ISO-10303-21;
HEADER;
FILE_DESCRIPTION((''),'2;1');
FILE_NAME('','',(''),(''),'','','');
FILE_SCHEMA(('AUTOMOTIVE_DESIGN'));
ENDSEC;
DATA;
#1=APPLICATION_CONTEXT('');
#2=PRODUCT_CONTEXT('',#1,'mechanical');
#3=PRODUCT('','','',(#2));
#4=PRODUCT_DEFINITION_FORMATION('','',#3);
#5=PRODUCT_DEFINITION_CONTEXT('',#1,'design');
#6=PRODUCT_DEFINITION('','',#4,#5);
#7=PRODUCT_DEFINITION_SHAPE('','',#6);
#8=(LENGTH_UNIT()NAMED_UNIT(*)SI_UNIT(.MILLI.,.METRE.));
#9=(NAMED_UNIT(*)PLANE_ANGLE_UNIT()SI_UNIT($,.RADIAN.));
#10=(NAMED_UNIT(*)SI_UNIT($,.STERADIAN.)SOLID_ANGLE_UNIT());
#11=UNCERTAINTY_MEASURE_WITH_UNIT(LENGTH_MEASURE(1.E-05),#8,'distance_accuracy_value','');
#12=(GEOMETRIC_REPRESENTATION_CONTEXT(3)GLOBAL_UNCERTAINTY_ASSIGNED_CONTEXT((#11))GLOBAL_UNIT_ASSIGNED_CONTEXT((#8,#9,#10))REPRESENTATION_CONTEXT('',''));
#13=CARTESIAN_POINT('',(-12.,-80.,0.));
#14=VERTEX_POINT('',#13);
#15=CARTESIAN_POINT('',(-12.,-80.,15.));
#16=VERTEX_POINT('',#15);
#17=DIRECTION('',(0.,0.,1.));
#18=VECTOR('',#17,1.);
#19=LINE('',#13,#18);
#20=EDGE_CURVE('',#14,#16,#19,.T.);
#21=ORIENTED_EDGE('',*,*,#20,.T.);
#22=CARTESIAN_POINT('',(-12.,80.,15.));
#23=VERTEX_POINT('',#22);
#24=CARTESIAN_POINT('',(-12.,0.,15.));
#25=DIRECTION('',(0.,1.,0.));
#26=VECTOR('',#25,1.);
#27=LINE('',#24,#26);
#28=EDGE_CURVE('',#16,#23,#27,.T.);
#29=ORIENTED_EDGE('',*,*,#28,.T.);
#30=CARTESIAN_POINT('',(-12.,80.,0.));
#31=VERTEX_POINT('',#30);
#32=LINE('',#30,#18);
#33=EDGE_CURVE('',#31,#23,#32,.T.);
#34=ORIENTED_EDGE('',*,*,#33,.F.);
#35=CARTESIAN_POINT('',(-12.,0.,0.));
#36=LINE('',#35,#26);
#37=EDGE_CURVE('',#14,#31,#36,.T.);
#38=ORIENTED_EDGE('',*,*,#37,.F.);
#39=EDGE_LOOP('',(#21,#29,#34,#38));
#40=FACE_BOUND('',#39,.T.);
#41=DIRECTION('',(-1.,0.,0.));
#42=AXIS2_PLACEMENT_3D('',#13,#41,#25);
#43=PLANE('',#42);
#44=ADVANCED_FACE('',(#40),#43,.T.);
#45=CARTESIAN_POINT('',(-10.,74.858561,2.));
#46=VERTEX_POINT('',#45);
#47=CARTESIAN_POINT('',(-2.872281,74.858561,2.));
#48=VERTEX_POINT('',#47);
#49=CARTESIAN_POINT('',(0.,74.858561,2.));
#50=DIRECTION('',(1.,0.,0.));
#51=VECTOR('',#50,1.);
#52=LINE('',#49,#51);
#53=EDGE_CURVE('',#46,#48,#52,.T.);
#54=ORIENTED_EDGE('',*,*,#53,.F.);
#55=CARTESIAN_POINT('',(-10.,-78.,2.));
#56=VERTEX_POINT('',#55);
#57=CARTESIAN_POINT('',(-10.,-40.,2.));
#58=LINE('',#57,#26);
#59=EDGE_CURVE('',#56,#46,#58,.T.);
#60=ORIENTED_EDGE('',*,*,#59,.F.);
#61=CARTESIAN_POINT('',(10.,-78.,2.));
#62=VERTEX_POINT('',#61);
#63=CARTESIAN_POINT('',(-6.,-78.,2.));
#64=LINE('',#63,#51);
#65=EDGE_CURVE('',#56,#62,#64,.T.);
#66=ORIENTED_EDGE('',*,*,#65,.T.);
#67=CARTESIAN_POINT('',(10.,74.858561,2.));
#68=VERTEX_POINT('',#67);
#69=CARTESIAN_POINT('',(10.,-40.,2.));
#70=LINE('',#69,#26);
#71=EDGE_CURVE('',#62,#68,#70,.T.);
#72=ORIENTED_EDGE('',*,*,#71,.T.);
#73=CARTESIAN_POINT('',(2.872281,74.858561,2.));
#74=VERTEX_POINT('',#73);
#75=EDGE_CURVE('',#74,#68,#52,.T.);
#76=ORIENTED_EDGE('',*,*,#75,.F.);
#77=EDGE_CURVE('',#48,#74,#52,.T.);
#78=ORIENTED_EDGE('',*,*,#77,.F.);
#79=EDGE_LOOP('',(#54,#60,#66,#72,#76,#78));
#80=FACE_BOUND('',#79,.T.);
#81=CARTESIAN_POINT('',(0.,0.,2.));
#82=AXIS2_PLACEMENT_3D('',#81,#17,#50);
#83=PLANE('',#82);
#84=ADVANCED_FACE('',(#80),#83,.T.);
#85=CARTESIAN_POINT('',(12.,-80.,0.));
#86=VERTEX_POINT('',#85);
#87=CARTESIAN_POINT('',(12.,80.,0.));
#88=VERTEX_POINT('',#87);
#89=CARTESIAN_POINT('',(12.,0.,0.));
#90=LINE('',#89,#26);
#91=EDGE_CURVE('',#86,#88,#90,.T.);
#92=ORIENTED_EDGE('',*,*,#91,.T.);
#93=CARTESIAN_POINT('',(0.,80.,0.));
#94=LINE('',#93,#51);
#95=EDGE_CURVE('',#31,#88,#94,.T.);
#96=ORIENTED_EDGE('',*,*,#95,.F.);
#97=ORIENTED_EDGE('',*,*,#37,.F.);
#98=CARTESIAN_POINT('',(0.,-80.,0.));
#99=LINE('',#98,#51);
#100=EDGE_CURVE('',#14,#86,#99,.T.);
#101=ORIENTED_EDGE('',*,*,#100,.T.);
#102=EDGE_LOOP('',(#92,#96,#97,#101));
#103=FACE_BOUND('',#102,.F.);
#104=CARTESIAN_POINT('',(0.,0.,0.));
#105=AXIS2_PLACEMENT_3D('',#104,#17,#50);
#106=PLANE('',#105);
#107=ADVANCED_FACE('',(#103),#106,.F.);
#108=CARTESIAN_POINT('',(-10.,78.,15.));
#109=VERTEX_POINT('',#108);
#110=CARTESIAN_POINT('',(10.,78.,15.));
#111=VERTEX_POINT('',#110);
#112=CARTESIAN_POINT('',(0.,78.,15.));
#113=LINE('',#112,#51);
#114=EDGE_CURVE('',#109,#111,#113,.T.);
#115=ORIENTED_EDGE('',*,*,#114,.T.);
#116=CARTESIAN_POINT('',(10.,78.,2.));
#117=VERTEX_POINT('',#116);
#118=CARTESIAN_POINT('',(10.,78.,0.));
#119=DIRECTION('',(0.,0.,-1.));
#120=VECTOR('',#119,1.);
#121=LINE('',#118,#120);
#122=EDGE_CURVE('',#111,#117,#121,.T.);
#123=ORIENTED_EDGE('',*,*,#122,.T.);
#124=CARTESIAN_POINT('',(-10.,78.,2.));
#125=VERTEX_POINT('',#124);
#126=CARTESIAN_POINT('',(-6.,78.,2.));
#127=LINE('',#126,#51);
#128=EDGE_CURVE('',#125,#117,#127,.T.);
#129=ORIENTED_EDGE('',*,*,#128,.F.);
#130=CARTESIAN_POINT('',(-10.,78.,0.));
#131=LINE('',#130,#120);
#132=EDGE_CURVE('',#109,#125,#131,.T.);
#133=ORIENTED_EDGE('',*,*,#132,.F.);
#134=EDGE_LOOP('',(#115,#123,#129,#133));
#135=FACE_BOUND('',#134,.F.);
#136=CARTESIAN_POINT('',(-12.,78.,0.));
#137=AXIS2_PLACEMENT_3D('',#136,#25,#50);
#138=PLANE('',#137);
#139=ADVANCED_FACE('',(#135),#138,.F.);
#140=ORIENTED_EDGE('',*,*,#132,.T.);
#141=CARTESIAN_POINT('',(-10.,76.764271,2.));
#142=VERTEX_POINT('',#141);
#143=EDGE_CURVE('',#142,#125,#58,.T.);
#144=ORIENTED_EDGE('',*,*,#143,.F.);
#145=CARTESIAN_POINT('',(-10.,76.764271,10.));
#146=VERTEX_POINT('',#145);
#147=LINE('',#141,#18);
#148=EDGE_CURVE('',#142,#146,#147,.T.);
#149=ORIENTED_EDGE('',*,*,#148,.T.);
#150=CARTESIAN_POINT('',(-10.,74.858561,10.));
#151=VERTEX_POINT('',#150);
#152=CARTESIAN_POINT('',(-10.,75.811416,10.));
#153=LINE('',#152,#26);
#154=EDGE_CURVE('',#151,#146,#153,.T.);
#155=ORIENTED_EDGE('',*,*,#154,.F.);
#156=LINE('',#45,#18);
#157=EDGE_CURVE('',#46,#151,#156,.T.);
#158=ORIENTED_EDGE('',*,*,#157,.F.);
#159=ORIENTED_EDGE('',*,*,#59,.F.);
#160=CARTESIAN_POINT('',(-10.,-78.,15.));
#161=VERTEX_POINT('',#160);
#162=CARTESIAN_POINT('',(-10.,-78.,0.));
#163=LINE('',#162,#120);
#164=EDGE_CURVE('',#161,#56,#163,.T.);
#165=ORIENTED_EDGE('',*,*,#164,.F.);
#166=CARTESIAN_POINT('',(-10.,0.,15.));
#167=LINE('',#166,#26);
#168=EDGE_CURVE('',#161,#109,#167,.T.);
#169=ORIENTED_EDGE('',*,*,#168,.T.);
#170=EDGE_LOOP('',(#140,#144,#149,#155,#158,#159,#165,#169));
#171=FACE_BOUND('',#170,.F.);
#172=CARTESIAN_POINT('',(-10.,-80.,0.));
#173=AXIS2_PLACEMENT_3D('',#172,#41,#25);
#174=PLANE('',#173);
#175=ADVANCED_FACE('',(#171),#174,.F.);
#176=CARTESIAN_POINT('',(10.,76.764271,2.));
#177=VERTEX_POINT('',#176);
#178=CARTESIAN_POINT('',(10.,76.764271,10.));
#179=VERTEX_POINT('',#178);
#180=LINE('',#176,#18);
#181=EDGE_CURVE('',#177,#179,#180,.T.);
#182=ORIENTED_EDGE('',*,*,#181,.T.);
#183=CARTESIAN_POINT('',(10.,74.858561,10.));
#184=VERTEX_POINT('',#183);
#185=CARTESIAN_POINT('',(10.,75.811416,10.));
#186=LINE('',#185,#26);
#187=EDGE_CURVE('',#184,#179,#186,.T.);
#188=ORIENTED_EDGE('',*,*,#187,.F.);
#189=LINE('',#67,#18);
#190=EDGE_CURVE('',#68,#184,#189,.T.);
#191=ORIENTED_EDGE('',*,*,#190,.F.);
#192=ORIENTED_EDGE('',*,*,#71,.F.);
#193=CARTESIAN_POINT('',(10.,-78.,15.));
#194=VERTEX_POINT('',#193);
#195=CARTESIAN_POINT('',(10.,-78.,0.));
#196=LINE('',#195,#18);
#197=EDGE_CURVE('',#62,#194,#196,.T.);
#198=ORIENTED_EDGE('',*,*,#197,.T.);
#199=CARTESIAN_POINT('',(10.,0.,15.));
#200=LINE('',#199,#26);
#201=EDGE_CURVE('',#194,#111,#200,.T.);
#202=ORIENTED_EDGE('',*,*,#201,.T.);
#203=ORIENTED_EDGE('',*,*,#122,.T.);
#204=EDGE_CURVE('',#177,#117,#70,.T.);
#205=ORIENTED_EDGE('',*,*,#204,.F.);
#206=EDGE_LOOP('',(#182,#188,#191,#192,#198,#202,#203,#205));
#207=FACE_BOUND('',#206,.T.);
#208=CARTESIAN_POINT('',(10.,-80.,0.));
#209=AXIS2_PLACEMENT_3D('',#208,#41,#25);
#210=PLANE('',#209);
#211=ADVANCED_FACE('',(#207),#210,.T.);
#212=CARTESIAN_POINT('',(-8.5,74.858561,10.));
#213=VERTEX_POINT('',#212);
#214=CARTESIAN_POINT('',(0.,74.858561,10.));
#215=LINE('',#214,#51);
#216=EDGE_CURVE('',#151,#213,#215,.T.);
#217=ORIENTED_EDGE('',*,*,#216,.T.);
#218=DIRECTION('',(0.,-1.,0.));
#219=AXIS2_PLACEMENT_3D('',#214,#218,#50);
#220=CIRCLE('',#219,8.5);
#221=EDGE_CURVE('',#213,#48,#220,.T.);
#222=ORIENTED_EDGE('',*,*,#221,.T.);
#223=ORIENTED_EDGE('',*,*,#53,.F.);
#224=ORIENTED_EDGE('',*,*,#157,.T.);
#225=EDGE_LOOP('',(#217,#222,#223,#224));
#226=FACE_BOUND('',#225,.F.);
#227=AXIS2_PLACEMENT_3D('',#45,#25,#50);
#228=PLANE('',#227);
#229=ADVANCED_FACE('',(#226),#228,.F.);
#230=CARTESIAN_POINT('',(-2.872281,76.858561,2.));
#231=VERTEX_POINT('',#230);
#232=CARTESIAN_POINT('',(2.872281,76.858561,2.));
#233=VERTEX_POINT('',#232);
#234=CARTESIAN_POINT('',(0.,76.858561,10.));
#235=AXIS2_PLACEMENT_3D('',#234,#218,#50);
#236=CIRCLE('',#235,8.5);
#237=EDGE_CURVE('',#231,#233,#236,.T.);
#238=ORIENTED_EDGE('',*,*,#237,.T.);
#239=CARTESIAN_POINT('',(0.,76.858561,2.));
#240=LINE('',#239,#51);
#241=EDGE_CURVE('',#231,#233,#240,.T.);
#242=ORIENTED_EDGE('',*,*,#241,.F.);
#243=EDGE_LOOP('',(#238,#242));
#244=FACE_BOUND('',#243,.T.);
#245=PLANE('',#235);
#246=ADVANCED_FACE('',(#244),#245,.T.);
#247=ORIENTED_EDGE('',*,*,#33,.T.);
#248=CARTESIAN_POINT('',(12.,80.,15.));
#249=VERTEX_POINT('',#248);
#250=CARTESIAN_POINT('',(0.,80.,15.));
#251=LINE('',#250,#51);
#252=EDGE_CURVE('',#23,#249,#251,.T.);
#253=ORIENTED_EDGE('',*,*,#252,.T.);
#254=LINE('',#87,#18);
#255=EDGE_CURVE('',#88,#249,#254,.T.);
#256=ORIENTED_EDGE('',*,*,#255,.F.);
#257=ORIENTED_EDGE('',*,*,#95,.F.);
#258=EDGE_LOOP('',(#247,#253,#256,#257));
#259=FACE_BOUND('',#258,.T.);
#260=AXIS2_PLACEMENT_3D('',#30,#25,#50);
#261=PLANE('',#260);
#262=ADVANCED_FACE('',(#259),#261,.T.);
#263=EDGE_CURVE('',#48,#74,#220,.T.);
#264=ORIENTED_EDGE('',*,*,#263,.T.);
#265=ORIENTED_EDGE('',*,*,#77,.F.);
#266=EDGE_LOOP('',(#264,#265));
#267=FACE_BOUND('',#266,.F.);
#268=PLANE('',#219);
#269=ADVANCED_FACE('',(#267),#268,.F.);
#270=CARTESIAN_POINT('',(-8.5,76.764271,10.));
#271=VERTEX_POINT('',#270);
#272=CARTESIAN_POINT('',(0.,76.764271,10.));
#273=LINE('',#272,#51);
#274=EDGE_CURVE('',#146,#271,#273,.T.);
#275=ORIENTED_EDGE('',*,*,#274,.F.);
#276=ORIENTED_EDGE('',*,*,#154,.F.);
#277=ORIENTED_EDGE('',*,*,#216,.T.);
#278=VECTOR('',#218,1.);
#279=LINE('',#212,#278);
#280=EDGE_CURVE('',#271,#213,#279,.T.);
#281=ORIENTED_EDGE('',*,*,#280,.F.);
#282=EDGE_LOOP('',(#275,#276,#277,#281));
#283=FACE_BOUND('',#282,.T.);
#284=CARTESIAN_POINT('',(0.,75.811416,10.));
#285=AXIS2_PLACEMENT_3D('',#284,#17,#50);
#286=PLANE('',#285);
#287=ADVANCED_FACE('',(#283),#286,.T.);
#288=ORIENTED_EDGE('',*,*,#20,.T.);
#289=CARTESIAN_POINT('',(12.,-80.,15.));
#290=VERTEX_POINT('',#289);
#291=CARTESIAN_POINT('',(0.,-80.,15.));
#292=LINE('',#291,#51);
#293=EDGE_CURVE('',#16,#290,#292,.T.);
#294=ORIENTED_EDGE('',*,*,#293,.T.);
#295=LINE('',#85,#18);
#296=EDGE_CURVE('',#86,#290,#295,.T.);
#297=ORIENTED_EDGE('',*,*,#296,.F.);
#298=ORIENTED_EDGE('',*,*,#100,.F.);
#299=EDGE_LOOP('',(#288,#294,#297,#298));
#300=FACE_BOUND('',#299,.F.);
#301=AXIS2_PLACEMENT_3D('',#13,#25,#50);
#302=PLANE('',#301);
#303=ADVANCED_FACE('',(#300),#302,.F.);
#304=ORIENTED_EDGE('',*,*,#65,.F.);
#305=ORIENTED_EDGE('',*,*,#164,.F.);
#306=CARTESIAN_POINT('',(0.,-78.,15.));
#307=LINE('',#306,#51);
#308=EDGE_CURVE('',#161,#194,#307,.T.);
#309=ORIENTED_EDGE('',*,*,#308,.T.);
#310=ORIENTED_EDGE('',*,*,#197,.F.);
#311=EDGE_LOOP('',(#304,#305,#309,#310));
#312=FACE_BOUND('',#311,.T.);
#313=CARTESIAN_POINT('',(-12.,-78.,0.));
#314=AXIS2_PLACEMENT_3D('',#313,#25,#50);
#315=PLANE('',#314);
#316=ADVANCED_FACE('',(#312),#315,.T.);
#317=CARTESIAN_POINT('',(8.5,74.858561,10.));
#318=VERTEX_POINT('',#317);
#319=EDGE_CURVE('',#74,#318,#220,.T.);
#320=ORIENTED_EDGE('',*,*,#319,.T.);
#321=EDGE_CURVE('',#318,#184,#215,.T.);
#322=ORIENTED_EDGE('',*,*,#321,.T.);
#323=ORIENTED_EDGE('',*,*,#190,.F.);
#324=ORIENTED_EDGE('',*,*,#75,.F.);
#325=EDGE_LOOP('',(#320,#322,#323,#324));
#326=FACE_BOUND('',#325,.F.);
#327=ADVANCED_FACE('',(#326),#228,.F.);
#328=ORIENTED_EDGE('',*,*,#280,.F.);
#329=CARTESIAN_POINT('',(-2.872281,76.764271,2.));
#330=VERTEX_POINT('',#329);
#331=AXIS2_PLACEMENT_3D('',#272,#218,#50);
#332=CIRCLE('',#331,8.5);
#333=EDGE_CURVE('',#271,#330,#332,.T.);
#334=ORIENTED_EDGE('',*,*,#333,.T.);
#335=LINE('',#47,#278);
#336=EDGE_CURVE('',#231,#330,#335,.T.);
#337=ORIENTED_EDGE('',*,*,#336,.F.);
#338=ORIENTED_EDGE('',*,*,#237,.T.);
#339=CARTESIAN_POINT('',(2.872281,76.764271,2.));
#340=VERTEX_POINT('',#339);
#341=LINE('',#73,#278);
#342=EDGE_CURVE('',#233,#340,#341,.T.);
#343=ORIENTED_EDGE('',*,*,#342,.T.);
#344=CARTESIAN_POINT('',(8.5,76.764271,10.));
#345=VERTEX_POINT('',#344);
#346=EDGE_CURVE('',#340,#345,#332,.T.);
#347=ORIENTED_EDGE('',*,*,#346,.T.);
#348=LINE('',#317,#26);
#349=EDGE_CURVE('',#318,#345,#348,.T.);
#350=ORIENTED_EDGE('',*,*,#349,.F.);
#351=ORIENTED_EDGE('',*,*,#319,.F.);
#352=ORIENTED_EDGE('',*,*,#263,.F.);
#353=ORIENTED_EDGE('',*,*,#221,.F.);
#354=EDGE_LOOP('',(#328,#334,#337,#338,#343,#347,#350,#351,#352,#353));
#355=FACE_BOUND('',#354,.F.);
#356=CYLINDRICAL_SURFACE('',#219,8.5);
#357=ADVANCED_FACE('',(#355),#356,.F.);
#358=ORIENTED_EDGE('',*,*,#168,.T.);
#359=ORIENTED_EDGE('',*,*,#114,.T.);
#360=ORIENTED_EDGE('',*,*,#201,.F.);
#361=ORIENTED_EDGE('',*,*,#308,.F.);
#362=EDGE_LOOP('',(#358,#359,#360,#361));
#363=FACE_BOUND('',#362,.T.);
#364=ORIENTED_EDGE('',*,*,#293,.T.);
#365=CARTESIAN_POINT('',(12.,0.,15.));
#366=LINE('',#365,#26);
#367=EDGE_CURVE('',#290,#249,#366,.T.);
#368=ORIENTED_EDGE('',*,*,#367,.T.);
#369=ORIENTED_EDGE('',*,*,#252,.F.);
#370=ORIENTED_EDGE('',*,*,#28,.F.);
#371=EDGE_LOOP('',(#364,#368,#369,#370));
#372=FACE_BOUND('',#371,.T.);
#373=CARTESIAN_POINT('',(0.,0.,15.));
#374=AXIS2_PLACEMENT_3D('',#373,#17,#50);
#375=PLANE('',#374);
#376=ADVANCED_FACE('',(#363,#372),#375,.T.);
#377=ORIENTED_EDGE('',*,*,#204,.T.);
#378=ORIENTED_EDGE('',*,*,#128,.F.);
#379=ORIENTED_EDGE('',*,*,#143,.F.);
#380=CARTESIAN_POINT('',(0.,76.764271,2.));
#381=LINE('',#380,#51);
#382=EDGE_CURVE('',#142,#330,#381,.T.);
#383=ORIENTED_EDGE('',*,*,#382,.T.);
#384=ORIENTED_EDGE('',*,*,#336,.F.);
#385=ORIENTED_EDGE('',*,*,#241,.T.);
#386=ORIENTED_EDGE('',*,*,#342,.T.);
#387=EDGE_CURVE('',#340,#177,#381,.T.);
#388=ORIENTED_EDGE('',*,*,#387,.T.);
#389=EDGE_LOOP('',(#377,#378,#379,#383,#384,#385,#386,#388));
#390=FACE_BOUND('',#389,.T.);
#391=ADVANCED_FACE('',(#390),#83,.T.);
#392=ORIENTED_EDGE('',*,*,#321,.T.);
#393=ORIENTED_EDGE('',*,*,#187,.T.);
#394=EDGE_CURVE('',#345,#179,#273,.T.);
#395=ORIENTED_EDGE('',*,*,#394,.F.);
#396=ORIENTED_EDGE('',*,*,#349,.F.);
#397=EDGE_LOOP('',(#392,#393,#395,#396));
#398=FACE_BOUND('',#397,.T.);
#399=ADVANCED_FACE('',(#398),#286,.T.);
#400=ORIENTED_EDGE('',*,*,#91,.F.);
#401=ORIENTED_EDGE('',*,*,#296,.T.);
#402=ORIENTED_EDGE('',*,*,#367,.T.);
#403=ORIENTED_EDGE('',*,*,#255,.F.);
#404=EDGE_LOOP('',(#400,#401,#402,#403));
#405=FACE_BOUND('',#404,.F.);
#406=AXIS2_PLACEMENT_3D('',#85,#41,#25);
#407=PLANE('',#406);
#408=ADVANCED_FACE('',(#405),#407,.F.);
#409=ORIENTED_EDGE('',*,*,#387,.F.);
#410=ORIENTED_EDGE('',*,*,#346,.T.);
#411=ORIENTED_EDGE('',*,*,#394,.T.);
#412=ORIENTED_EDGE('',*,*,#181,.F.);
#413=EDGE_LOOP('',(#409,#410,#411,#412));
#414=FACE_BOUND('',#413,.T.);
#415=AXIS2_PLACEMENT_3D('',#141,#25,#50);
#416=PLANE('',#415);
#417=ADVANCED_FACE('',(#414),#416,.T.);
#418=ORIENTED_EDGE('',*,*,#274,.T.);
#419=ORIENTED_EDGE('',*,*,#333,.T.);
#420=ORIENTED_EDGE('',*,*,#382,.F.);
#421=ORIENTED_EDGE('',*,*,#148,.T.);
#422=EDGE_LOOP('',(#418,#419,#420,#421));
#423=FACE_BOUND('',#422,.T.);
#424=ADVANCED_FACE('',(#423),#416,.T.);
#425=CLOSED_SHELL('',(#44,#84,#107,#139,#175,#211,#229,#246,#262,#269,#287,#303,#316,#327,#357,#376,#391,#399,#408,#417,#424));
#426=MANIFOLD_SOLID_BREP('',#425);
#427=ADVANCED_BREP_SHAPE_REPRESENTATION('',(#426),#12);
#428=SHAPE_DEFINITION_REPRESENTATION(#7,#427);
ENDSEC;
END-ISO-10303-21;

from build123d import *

# Parameters (mm, degrees)
F0_W     = 24
F0_H     = 160
F1_DEPTH = 15
F2_T     = -2
F3_W     = 20
F3_H     = 1.90571
F4_DEPTH = 8
F5_R     = 8.5
F6_DEPTH = 2


with BuildPart() as f1:
    # F0 (on Top) → F1 (new body)
    with BuildSketch(Plane.XY):
        Rectangle(F0_W, F0_H)
    extrude(amount=F1_DEPTH)

    # F2
    f2_openings = [f1.faces().sort_by_distance(p)[0] for p in [
        (0, 0, 15),
    ]]
    offset(amount=F2_T, openings=f2_openings)

    # F3 (on face) → F4 (join)
    with BuildSketch(Plane.XY.offset(2)):
        with Locations((0, 75.811416)):
            Rectangle(F3_W, F3_H)
    extrude(amount=F4_DEPTH)

    # F5 (on face) → F6 (cut)
    with BuildSketch(Plane.XZ.offset(-74.858561)):
        with Locations((0, 10)):
            Circle(F5_R)
    extrude(amount=-F6_DEPTH, mode=Mode.SUBTRACT)


solid = f1.part
